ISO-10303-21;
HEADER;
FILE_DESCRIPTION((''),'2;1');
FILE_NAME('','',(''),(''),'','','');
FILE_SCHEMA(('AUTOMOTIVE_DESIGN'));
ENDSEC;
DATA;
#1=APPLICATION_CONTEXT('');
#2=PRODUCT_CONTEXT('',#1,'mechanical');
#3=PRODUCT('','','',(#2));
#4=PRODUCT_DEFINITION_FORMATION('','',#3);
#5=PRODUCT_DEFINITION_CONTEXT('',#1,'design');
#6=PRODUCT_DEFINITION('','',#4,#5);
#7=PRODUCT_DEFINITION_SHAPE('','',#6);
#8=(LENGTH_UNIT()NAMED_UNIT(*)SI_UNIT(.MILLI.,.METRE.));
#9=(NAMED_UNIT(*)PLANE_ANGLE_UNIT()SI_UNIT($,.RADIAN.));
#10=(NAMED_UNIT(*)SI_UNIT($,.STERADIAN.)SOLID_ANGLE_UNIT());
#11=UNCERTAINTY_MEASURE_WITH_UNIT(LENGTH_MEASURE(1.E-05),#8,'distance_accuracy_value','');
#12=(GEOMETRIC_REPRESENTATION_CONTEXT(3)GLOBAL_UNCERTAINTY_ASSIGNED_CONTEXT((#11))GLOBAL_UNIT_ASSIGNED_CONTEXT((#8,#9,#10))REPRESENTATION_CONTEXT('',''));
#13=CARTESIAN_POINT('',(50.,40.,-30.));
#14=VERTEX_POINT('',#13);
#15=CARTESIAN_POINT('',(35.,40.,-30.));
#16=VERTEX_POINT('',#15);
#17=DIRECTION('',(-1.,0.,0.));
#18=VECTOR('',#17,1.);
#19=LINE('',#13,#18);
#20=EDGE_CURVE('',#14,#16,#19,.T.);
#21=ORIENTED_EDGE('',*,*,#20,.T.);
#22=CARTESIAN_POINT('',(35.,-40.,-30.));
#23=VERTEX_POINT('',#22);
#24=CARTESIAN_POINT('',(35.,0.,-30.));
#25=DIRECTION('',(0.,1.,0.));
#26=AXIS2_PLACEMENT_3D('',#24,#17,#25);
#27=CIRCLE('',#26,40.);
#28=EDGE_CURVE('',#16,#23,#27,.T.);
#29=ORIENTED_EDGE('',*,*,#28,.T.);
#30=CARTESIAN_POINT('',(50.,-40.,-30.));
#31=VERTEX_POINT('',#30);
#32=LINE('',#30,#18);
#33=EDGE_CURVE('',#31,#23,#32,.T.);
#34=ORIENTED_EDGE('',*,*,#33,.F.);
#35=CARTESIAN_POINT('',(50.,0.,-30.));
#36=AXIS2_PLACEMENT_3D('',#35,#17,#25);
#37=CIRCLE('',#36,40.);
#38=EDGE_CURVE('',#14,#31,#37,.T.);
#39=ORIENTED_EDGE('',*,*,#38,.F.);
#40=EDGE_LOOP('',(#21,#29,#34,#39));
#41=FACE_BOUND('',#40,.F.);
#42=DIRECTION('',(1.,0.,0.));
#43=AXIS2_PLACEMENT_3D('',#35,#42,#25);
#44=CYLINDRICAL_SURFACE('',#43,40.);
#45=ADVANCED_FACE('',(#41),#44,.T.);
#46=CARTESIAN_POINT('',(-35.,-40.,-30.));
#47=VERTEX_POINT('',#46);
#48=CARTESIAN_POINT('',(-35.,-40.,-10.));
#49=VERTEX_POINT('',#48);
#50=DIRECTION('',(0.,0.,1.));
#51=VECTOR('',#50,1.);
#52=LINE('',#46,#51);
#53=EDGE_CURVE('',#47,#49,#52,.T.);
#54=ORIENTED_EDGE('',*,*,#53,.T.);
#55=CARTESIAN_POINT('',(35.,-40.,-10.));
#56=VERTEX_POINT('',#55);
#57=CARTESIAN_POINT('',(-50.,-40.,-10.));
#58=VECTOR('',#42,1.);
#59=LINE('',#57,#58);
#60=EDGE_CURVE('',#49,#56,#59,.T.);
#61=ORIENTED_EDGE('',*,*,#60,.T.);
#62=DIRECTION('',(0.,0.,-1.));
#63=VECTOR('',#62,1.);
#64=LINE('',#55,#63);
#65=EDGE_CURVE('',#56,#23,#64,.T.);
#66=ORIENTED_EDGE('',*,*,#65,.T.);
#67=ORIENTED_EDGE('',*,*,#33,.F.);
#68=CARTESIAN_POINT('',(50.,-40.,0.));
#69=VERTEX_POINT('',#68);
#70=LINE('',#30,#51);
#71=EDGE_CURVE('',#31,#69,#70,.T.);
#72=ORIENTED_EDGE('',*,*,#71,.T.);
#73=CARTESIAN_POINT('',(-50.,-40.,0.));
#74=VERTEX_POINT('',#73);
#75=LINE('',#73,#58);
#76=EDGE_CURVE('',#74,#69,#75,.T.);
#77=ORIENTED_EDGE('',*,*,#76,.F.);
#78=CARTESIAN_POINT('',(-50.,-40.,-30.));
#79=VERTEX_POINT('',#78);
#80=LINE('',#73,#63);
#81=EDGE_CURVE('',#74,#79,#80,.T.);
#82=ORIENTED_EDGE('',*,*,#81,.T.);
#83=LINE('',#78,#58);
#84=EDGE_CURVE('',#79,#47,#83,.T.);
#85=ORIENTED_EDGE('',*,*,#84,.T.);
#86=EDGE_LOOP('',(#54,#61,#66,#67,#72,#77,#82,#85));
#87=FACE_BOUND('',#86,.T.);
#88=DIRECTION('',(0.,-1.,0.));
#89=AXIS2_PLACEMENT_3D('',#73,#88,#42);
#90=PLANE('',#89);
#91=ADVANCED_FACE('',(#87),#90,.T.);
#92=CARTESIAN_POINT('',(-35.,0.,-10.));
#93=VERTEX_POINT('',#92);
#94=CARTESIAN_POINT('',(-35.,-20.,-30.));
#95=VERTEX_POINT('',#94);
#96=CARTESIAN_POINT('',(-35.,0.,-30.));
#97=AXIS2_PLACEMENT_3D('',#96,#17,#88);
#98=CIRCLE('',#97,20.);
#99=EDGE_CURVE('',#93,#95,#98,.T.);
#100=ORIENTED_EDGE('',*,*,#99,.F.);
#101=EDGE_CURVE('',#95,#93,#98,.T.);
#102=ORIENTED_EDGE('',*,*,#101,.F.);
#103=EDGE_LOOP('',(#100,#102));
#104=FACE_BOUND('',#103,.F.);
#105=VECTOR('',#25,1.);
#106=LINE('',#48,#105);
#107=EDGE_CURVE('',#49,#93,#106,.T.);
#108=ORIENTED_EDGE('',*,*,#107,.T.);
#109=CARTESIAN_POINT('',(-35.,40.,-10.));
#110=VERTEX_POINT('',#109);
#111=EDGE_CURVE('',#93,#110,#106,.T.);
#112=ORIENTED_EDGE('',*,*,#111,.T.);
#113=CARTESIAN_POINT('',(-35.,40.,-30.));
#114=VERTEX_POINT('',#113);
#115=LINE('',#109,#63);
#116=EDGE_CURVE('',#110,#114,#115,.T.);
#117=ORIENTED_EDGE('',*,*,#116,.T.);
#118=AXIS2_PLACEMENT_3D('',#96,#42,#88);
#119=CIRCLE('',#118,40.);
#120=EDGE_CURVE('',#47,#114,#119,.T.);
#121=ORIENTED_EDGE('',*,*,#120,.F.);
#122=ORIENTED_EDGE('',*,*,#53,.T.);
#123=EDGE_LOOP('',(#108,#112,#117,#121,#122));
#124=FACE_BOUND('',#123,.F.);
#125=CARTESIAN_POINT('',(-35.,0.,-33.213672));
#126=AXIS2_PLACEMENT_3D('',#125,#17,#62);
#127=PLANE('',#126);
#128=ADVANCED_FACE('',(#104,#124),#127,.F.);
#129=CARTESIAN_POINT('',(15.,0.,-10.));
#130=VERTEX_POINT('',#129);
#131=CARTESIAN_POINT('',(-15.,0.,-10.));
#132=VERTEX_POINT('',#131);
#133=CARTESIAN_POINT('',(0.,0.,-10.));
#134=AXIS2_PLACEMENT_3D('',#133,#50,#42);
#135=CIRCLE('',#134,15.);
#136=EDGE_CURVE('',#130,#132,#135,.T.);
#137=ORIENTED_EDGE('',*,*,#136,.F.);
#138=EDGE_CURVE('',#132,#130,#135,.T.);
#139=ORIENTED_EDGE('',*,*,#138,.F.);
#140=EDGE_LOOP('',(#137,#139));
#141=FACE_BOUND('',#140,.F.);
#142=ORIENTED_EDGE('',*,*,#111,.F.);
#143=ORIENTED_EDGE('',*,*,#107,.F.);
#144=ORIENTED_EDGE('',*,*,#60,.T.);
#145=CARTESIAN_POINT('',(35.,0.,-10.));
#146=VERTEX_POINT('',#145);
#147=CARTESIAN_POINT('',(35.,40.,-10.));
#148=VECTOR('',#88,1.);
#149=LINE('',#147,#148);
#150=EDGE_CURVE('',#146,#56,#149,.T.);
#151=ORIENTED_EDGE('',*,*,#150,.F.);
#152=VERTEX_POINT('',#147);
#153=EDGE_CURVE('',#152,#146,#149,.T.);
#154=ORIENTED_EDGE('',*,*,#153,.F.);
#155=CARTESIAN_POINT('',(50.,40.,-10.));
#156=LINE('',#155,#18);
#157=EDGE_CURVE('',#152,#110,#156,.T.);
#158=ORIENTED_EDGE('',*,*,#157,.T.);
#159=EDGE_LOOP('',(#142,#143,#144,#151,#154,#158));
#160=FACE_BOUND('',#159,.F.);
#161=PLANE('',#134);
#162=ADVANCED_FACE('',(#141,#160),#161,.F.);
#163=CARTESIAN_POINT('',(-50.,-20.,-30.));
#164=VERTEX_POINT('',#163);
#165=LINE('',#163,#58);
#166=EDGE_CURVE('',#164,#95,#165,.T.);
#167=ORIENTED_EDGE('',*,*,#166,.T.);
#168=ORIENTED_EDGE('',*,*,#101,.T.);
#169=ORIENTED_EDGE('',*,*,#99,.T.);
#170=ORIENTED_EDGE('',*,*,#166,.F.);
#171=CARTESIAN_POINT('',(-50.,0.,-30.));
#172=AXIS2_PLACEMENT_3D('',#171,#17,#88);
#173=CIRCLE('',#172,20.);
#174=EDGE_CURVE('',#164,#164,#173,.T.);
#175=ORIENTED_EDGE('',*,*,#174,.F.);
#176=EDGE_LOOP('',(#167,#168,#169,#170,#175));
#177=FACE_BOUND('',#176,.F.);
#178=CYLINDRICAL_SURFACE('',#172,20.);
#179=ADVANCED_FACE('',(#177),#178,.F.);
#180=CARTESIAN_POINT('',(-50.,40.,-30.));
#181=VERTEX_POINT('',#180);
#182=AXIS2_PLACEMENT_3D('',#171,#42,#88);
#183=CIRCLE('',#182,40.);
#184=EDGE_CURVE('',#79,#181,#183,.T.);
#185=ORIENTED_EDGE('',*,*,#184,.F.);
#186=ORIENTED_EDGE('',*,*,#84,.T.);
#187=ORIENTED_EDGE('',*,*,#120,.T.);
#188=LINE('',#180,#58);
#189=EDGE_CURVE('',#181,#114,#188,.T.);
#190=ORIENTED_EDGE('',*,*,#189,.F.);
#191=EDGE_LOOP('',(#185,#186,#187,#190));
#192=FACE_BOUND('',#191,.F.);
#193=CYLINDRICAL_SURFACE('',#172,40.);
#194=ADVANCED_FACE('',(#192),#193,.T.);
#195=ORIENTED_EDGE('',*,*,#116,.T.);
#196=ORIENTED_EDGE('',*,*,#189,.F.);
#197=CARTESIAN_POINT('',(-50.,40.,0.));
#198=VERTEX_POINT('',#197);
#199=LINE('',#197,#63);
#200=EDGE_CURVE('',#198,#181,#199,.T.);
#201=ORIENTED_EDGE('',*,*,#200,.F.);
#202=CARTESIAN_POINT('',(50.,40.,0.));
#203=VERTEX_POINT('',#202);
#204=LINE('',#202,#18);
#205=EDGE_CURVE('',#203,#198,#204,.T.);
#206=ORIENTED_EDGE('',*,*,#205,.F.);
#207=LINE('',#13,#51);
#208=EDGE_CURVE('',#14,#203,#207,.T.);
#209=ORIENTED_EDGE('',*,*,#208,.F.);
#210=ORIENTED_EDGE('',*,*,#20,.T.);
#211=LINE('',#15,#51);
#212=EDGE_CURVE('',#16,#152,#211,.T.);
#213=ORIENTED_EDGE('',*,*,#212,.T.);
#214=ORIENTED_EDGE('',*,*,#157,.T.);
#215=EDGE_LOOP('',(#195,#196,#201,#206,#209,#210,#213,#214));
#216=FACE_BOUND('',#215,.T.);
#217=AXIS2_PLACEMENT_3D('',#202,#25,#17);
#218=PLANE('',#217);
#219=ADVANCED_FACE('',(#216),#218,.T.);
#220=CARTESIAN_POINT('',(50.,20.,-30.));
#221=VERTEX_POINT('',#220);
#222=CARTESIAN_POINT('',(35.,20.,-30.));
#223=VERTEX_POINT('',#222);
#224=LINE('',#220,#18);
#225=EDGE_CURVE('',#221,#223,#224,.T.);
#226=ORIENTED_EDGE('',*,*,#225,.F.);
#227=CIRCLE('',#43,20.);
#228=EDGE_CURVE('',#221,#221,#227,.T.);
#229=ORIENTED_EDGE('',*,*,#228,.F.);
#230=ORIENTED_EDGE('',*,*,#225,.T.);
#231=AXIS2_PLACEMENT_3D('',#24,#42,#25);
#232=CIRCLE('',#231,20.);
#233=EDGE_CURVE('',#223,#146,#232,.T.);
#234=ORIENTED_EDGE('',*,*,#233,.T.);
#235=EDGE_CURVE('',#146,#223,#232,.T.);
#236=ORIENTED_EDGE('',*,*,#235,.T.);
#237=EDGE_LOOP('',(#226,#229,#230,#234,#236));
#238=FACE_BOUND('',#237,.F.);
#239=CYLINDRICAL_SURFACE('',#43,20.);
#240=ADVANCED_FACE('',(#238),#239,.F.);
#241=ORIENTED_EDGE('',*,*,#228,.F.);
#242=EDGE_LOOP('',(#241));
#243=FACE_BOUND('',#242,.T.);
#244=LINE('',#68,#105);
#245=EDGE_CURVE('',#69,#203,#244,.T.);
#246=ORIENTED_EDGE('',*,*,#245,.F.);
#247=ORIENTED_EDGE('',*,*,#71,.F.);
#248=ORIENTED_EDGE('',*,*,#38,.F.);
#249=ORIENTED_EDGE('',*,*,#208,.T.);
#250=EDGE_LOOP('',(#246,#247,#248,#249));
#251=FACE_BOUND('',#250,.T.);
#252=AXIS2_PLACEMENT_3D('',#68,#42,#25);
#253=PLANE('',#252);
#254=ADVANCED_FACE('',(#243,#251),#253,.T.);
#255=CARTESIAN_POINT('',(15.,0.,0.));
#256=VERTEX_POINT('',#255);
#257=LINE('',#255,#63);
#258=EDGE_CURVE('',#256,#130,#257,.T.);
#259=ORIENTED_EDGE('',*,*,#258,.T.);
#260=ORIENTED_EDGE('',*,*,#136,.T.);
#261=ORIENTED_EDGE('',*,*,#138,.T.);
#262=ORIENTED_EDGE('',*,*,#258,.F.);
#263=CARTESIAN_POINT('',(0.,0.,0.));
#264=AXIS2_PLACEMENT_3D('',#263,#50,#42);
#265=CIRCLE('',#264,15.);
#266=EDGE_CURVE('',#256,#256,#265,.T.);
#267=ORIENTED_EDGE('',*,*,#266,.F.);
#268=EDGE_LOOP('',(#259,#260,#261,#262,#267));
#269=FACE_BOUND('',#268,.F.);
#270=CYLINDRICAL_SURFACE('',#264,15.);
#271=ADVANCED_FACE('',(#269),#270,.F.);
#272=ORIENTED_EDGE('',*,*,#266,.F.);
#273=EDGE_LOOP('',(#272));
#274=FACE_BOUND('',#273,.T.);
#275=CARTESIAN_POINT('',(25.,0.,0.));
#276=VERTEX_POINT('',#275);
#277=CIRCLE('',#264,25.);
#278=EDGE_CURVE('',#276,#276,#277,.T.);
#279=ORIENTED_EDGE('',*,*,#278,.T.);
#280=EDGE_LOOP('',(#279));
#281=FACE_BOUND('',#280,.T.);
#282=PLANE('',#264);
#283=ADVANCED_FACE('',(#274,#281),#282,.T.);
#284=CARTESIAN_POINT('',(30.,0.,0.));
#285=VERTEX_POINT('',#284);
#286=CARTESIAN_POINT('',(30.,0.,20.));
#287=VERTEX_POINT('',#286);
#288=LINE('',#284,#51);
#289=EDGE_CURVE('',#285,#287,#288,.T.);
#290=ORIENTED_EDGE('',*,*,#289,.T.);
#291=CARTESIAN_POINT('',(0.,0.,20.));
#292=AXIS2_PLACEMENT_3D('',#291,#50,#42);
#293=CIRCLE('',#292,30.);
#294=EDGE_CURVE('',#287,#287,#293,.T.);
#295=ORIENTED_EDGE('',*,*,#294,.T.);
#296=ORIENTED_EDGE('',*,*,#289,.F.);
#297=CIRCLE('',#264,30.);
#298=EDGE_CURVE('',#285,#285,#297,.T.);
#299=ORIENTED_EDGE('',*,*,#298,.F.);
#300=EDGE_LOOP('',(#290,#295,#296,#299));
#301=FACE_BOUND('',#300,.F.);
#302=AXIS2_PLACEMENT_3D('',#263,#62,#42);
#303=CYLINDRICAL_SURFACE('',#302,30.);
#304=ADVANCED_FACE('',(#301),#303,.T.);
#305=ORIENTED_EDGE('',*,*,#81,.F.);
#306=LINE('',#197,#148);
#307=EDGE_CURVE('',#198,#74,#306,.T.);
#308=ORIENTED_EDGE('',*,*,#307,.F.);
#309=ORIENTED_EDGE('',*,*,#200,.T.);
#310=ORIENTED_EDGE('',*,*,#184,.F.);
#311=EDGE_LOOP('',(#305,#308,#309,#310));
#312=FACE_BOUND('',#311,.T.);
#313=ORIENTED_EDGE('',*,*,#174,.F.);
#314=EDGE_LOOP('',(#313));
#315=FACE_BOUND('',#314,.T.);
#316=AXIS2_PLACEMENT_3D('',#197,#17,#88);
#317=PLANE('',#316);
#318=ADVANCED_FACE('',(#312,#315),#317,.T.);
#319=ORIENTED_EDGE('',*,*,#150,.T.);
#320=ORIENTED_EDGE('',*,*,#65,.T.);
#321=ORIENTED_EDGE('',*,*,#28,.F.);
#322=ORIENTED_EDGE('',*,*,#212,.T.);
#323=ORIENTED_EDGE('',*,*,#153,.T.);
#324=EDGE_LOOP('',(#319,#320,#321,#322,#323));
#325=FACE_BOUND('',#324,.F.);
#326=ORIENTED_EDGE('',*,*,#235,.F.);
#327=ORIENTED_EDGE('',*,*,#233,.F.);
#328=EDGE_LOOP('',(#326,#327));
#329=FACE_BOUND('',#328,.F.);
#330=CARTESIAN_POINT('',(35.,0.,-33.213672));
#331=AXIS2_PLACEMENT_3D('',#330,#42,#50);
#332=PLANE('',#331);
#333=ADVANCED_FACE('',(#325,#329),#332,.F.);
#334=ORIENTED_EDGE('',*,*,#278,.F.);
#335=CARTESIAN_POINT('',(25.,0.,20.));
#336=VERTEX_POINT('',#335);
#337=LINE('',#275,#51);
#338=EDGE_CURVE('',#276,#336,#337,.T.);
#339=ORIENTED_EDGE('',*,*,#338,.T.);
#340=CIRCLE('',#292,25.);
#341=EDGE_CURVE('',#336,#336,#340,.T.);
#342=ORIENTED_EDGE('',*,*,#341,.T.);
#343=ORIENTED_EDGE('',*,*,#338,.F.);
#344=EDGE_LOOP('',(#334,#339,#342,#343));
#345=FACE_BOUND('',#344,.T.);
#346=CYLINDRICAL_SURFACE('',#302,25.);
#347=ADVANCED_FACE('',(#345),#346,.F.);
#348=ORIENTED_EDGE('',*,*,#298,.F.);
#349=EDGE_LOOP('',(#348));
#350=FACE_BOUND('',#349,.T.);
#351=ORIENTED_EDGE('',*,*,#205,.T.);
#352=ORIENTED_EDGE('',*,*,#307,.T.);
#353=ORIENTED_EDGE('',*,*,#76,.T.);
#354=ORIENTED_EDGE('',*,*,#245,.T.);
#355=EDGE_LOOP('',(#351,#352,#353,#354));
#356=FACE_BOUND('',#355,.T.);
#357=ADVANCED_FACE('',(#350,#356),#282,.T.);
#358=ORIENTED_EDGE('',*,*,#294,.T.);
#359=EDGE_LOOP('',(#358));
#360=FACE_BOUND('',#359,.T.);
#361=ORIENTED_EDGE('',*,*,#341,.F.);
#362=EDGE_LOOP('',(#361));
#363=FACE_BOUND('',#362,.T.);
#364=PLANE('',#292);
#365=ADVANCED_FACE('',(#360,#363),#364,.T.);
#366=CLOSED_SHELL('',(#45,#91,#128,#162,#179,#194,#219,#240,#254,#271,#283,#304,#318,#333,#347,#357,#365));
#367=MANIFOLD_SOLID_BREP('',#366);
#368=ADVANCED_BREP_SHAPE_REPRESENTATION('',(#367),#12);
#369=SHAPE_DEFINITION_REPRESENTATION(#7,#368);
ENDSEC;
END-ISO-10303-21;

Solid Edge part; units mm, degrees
sketch "Sketch1" plane through (0, 0, 0) normal (0, 0, 1) x (1, 0, 0)
  line L0 (-50, -40) -> (50, -40)
  line L1 (50, -40) -> (50, 40)
  line L2 (50, 40) -> (-50, 40)
  line L3 (-50, 40) -> (-50, -40)
extrude "Protrusion1" add sketch "Sketch1" against normal blind 10
sketch "Sketch2" plane through (50, 0, -5) normal (1, 0, 0) x (0, 1, 0)
  line L0 (-40, -5) -> (-40, -25)
  line L1 (40, -5) -> (-40, -5)
  line L2 (40, -25) -> (40, -5)
  arc A0 (40, -25) -> (-40, -25) centre (0, -25) cw
extrude "Protrusion_2" add sketch "Sketch2" against normal blind 15
sketch "Sketch3" plane through (-50, 0, -5) normal (-1, 0, 0) x (0, -1, 0)
  line L0 (-40, -5) -> (-40, -25)
  line L1 (40, -5) -> (-40, -5)
  line L2 (40, -25) -> (40, -5)
  arc A0 (40, -25) -> (-40, -25) centre (0, -25) cw
extrude "Protrusion_3" add sketch "Sketch3" against normal blind 15
sketch "Sketch4" plane through (50, 0, -35) normal (1, 0, 0) x (0, 1, 0)
  circle A0 centre (0, 5) radius 20
extrude "ExtrudedCutout_1" cut sketch "Sketch4" against normal blind 25.6414
sketch "Sketch5" plane through (-50, 0, -35) normal (-1, 0, 0) x (0, -1, 0)
  circle A0 centre (0, 5) radius 20
extrude "ExtrudedCutout_2" cut sketch "Sketch5" against normal blind 43.9388
sketch "Sketch6" plane through (0, 0, 0) normal (0, 0, 1) x (1, 0, 0)
  circle A0 centre (0, 0) radius 15
extrude "Cutout_3" cut sketch "Sketch6" against normal blind 37.3136
sketch "Sketch7" plane through (0, 0, 0) normal (0, 0, 1) x (1, 0, 0)
  circle A0 centre (0, 0) radius 30
  circle A1 centre (0, 0) radius 25
extrude "Protrusion_4" add sketch "Sketch7" along normal blind 20
